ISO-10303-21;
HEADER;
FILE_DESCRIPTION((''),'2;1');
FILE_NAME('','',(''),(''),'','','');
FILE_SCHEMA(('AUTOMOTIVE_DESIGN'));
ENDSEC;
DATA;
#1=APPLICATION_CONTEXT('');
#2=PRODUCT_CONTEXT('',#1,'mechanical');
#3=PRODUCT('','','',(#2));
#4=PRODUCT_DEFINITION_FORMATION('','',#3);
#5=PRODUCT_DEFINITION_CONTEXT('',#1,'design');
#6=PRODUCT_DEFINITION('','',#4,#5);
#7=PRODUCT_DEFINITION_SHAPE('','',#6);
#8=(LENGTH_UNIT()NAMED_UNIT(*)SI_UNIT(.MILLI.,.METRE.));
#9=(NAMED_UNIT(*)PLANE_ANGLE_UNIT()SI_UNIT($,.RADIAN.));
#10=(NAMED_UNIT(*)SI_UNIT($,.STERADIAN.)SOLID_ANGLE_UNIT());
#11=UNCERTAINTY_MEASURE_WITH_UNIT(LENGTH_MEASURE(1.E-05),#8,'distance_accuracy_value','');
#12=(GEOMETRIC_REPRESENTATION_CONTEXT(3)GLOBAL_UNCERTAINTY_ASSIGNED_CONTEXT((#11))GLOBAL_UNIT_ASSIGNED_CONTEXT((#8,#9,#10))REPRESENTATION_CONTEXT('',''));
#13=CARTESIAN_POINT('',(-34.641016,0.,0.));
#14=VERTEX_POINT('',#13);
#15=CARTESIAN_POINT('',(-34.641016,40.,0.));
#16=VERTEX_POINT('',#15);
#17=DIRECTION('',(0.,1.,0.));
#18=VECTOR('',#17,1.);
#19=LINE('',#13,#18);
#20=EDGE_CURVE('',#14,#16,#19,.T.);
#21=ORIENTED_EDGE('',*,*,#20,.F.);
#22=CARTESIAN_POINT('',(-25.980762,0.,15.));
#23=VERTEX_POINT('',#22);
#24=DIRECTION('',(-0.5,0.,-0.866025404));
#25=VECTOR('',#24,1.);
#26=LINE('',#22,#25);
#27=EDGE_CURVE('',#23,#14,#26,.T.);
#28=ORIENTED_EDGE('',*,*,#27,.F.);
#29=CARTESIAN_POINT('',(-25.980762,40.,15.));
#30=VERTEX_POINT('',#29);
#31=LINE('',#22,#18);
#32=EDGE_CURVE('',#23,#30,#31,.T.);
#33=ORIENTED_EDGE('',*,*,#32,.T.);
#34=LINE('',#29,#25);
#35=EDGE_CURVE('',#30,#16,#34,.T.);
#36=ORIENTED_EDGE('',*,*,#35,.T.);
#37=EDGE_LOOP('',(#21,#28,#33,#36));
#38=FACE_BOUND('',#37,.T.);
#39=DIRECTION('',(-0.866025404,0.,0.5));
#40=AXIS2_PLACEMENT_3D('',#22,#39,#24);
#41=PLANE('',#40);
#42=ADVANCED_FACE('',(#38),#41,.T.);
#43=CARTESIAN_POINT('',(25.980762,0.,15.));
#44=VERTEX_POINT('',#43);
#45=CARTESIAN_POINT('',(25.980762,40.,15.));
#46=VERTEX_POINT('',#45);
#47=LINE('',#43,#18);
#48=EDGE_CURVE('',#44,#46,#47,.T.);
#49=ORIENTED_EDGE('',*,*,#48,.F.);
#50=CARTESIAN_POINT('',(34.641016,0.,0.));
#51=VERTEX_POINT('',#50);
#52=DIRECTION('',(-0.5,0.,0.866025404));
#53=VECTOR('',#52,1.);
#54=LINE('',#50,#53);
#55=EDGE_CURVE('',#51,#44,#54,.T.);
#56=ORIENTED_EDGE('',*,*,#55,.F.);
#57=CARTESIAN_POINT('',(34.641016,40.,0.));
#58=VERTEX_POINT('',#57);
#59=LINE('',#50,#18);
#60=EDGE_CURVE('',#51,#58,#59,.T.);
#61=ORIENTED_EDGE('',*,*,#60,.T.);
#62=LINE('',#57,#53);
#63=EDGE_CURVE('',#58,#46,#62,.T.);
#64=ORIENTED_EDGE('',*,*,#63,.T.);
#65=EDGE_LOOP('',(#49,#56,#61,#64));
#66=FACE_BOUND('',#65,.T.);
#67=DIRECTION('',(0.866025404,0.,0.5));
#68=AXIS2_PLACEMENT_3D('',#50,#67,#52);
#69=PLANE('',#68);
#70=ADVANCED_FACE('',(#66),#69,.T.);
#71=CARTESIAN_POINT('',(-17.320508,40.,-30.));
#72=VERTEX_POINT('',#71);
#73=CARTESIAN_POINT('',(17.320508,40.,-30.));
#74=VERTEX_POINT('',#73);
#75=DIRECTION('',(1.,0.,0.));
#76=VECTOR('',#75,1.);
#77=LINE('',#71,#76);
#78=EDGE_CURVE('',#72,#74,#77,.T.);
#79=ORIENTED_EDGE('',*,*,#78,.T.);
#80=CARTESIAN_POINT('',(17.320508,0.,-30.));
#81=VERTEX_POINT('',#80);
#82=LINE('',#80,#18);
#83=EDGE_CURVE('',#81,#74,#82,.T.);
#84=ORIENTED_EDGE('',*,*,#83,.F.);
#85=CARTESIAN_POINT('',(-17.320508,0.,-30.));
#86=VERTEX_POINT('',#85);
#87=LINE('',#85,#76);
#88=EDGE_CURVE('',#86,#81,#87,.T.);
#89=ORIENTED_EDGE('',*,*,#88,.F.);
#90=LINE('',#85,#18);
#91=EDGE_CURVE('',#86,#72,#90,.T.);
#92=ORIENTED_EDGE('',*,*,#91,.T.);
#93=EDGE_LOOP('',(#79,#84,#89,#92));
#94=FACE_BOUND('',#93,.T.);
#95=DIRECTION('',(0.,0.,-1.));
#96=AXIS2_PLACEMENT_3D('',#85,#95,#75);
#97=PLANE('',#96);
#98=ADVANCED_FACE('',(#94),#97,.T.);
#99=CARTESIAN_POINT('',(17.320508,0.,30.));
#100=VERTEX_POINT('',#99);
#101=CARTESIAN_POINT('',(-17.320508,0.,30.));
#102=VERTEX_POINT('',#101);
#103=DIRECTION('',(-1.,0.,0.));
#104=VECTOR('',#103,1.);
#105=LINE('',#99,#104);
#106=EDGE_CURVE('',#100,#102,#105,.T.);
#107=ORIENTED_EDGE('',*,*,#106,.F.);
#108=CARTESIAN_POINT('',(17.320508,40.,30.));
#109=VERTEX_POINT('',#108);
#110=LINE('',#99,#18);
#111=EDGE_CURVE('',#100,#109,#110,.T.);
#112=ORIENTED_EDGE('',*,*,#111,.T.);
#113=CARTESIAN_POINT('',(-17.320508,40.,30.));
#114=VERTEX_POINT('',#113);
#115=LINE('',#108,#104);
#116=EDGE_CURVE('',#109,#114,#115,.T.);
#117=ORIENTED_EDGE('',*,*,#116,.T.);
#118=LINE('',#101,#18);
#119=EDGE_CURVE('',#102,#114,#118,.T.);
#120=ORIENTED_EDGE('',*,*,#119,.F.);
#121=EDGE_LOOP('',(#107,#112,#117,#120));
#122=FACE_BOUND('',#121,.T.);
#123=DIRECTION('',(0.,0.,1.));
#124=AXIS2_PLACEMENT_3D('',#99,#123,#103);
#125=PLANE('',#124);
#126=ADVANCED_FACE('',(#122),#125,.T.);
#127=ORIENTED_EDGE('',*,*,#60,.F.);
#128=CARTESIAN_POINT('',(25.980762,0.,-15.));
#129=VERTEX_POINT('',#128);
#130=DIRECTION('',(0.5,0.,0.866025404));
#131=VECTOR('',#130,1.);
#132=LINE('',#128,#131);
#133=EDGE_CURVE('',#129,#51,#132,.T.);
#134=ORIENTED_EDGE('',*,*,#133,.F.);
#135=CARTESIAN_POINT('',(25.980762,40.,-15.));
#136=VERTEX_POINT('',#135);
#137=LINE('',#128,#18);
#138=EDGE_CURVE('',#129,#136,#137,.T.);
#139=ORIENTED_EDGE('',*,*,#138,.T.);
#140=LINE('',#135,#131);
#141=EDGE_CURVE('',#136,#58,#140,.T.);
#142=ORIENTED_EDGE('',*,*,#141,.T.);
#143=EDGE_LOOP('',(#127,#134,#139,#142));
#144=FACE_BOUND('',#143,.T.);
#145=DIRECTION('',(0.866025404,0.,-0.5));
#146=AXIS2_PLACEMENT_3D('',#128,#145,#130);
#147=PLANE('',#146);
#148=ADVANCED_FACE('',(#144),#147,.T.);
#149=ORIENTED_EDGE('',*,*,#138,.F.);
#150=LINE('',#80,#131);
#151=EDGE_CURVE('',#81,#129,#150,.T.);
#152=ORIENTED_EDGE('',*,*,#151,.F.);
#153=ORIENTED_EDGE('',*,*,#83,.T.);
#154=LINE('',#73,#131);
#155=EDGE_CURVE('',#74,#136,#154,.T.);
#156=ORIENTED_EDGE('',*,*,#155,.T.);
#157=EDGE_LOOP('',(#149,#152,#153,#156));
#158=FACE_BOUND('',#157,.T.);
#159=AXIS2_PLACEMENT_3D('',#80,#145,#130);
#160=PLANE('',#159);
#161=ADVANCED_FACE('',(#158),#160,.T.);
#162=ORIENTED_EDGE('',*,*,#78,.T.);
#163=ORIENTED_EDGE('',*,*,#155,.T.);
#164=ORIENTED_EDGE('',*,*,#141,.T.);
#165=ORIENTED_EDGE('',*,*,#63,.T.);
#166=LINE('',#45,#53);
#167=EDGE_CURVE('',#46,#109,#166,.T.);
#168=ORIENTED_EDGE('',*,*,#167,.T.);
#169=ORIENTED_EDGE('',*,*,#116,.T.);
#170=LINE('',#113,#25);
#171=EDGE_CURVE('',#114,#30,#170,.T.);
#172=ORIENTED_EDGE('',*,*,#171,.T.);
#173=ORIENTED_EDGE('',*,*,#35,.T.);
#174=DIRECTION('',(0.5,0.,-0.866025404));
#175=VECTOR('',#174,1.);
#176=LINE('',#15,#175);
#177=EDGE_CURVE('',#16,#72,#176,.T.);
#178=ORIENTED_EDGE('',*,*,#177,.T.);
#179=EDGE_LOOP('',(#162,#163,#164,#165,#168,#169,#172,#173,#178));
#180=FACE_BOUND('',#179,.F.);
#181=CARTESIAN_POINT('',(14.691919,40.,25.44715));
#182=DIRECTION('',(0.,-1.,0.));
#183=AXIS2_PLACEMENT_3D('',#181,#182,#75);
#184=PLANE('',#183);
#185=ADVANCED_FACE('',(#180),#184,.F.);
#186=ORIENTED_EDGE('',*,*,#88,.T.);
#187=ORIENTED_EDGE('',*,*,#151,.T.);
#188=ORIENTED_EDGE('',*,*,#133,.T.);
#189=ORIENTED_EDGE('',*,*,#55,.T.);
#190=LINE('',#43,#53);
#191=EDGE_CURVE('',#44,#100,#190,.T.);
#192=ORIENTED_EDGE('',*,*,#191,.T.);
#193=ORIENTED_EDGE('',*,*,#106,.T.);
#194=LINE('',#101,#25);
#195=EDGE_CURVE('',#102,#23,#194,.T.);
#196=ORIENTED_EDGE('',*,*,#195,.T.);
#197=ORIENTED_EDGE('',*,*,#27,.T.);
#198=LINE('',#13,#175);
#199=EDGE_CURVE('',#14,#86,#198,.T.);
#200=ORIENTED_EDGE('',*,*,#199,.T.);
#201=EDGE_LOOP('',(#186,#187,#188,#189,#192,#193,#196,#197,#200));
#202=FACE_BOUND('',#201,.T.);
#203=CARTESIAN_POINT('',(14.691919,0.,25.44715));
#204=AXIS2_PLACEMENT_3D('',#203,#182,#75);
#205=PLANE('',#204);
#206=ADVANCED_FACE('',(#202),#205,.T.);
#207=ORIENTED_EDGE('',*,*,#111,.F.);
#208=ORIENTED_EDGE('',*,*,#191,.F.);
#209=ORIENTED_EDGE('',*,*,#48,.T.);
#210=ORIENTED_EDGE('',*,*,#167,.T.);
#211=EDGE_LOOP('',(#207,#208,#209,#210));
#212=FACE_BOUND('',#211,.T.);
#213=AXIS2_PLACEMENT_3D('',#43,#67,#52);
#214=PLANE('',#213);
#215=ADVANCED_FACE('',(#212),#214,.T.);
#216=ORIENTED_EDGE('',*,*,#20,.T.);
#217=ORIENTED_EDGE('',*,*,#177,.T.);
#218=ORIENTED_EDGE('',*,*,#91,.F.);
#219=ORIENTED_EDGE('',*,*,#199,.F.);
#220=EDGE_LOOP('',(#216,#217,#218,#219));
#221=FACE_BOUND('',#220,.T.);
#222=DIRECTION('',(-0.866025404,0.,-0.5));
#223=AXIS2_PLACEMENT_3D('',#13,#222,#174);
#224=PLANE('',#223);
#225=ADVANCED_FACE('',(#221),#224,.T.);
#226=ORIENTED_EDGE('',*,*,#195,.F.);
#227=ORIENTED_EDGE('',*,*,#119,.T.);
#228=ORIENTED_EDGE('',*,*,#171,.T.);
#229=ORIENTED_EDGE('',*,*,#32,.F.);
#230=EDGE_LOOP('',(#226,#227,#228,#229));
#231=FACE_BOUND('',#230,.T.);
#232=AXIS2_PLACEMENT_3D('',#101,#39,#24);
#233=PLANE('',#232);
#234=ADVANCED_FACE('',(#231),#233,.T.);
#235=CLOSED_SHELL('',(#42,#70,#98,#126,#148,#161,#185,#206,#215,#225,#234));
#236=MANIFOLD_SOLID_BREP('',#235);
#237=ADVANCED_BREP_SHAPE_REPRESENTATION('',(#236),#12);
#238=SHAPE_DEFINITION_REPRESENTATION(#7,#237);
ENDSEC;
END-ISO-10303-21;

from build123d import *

# Parameters (mm, degrees)
F1_DEPTH = 40


with BuildPart() as f1:
    # F0 (on Front) → F1 (new body)
    with BuildSketch(Plane.XZ):
        with BuildLine():
            ThreePointArc((-9.81e-08, 30), (14.9999997194, 25.9807622755), (25.9807618386, 15.0000004762))
            Line((25.9807618386, 15.0000004762), (17.3205080757, 30))
            Line((17.3205080757, 30), (-9.81e-08, 30))
        make_face()
        with BuildLine():
            ThreePointArc((-25.9807619627, 15.0000002613), (-14.9999999118, 25.9807621644), (-9.81e-08, 30))
            Line((-9.81e-08, 30), (-17.3205080757, 30))
            Line((-17.3205080757, 30), (-25.9807619627, 15.0000002613))
        make_face()
        with BuildLine():
            ThreePointArc((-25.9807622875, -14.9999996987), (-30, 3.248e-07), (-25.9807619627, 15.0000002613))
            Line((-25.9807619627, 15.0000002613), (-34.6410161514, 0))
            Line((-34.6410161514, 0), (-25.9807622875, -14.9999996987))
        make_face()
        with BuildLine():
            Line((-17.3205080757, -30), (0, -30))
            ThreePointArc((0, -30), (-15.0000001506, -25.9807620266), (-25.9807622875, -14.9999996987))
            Line((-25.9807622875, -14.9999996987), (-17.3205080757, -30))
        make_face()
        with BuildLine():
            Line((17.3205080757, -30), (25.9807618386, -15.0000004762))
            ThreePointArc((25.9807618386, -15.0000004762), (14.9999997619, -25.980762251), (0, -30))
            Line((0, -30), (17.3205080757, -30))
        make_face()
        with BuildLine():
            ThreePointArc((25.9807618386, 15.0000004762), (28.9777747175, 7.7645716186), (30, 0))
            ThreePointArc((30, 0), (28.9777747175, -7.7645716186), (25.9807618386, -15.0000004762))
            Line((25.9807618386, -15.0000004762), (34.6410161514, 0))
            Line((34.6410161514, 0), (25.9807618386, 15.0000004762))
        make_face()
        with BuildLine():
            ThreePointArc((25.9807618386, -15.0000004762), (28.9777747175, -7.7645716186), (30, 0))
            ThreePointArc((30, 0), (28.9777747175, 7.7645716186), (25.9807618386, 15.0000004762))
            ThreePointArc((25.9807618386, 15.0000004762), (14.9999997194, 25.9807622755), (-9.81e-08, 30))
            ThreePointArc((-9.81e-08, 30), (-14.9999999118, 25.9807621644), (-25.9807619627, 15.0000002613))
            ThreePointArc((-25.9807619627, 15.0000002613), (-30, 3.248e-07), (-25.9807622875, -14.9999996987))
            ThreePointArc((-25.9807622875, -14.9999996987), (-15.0000001506, -25.9807620266), (0, -30))
            ThreePointArc((0, -30), (14.9999997619, -25.980762251), (25.9807618386, -15.0000004762))
        make_face()
    extrude(amount=-F1_DEPTH)


solid = f1.part
